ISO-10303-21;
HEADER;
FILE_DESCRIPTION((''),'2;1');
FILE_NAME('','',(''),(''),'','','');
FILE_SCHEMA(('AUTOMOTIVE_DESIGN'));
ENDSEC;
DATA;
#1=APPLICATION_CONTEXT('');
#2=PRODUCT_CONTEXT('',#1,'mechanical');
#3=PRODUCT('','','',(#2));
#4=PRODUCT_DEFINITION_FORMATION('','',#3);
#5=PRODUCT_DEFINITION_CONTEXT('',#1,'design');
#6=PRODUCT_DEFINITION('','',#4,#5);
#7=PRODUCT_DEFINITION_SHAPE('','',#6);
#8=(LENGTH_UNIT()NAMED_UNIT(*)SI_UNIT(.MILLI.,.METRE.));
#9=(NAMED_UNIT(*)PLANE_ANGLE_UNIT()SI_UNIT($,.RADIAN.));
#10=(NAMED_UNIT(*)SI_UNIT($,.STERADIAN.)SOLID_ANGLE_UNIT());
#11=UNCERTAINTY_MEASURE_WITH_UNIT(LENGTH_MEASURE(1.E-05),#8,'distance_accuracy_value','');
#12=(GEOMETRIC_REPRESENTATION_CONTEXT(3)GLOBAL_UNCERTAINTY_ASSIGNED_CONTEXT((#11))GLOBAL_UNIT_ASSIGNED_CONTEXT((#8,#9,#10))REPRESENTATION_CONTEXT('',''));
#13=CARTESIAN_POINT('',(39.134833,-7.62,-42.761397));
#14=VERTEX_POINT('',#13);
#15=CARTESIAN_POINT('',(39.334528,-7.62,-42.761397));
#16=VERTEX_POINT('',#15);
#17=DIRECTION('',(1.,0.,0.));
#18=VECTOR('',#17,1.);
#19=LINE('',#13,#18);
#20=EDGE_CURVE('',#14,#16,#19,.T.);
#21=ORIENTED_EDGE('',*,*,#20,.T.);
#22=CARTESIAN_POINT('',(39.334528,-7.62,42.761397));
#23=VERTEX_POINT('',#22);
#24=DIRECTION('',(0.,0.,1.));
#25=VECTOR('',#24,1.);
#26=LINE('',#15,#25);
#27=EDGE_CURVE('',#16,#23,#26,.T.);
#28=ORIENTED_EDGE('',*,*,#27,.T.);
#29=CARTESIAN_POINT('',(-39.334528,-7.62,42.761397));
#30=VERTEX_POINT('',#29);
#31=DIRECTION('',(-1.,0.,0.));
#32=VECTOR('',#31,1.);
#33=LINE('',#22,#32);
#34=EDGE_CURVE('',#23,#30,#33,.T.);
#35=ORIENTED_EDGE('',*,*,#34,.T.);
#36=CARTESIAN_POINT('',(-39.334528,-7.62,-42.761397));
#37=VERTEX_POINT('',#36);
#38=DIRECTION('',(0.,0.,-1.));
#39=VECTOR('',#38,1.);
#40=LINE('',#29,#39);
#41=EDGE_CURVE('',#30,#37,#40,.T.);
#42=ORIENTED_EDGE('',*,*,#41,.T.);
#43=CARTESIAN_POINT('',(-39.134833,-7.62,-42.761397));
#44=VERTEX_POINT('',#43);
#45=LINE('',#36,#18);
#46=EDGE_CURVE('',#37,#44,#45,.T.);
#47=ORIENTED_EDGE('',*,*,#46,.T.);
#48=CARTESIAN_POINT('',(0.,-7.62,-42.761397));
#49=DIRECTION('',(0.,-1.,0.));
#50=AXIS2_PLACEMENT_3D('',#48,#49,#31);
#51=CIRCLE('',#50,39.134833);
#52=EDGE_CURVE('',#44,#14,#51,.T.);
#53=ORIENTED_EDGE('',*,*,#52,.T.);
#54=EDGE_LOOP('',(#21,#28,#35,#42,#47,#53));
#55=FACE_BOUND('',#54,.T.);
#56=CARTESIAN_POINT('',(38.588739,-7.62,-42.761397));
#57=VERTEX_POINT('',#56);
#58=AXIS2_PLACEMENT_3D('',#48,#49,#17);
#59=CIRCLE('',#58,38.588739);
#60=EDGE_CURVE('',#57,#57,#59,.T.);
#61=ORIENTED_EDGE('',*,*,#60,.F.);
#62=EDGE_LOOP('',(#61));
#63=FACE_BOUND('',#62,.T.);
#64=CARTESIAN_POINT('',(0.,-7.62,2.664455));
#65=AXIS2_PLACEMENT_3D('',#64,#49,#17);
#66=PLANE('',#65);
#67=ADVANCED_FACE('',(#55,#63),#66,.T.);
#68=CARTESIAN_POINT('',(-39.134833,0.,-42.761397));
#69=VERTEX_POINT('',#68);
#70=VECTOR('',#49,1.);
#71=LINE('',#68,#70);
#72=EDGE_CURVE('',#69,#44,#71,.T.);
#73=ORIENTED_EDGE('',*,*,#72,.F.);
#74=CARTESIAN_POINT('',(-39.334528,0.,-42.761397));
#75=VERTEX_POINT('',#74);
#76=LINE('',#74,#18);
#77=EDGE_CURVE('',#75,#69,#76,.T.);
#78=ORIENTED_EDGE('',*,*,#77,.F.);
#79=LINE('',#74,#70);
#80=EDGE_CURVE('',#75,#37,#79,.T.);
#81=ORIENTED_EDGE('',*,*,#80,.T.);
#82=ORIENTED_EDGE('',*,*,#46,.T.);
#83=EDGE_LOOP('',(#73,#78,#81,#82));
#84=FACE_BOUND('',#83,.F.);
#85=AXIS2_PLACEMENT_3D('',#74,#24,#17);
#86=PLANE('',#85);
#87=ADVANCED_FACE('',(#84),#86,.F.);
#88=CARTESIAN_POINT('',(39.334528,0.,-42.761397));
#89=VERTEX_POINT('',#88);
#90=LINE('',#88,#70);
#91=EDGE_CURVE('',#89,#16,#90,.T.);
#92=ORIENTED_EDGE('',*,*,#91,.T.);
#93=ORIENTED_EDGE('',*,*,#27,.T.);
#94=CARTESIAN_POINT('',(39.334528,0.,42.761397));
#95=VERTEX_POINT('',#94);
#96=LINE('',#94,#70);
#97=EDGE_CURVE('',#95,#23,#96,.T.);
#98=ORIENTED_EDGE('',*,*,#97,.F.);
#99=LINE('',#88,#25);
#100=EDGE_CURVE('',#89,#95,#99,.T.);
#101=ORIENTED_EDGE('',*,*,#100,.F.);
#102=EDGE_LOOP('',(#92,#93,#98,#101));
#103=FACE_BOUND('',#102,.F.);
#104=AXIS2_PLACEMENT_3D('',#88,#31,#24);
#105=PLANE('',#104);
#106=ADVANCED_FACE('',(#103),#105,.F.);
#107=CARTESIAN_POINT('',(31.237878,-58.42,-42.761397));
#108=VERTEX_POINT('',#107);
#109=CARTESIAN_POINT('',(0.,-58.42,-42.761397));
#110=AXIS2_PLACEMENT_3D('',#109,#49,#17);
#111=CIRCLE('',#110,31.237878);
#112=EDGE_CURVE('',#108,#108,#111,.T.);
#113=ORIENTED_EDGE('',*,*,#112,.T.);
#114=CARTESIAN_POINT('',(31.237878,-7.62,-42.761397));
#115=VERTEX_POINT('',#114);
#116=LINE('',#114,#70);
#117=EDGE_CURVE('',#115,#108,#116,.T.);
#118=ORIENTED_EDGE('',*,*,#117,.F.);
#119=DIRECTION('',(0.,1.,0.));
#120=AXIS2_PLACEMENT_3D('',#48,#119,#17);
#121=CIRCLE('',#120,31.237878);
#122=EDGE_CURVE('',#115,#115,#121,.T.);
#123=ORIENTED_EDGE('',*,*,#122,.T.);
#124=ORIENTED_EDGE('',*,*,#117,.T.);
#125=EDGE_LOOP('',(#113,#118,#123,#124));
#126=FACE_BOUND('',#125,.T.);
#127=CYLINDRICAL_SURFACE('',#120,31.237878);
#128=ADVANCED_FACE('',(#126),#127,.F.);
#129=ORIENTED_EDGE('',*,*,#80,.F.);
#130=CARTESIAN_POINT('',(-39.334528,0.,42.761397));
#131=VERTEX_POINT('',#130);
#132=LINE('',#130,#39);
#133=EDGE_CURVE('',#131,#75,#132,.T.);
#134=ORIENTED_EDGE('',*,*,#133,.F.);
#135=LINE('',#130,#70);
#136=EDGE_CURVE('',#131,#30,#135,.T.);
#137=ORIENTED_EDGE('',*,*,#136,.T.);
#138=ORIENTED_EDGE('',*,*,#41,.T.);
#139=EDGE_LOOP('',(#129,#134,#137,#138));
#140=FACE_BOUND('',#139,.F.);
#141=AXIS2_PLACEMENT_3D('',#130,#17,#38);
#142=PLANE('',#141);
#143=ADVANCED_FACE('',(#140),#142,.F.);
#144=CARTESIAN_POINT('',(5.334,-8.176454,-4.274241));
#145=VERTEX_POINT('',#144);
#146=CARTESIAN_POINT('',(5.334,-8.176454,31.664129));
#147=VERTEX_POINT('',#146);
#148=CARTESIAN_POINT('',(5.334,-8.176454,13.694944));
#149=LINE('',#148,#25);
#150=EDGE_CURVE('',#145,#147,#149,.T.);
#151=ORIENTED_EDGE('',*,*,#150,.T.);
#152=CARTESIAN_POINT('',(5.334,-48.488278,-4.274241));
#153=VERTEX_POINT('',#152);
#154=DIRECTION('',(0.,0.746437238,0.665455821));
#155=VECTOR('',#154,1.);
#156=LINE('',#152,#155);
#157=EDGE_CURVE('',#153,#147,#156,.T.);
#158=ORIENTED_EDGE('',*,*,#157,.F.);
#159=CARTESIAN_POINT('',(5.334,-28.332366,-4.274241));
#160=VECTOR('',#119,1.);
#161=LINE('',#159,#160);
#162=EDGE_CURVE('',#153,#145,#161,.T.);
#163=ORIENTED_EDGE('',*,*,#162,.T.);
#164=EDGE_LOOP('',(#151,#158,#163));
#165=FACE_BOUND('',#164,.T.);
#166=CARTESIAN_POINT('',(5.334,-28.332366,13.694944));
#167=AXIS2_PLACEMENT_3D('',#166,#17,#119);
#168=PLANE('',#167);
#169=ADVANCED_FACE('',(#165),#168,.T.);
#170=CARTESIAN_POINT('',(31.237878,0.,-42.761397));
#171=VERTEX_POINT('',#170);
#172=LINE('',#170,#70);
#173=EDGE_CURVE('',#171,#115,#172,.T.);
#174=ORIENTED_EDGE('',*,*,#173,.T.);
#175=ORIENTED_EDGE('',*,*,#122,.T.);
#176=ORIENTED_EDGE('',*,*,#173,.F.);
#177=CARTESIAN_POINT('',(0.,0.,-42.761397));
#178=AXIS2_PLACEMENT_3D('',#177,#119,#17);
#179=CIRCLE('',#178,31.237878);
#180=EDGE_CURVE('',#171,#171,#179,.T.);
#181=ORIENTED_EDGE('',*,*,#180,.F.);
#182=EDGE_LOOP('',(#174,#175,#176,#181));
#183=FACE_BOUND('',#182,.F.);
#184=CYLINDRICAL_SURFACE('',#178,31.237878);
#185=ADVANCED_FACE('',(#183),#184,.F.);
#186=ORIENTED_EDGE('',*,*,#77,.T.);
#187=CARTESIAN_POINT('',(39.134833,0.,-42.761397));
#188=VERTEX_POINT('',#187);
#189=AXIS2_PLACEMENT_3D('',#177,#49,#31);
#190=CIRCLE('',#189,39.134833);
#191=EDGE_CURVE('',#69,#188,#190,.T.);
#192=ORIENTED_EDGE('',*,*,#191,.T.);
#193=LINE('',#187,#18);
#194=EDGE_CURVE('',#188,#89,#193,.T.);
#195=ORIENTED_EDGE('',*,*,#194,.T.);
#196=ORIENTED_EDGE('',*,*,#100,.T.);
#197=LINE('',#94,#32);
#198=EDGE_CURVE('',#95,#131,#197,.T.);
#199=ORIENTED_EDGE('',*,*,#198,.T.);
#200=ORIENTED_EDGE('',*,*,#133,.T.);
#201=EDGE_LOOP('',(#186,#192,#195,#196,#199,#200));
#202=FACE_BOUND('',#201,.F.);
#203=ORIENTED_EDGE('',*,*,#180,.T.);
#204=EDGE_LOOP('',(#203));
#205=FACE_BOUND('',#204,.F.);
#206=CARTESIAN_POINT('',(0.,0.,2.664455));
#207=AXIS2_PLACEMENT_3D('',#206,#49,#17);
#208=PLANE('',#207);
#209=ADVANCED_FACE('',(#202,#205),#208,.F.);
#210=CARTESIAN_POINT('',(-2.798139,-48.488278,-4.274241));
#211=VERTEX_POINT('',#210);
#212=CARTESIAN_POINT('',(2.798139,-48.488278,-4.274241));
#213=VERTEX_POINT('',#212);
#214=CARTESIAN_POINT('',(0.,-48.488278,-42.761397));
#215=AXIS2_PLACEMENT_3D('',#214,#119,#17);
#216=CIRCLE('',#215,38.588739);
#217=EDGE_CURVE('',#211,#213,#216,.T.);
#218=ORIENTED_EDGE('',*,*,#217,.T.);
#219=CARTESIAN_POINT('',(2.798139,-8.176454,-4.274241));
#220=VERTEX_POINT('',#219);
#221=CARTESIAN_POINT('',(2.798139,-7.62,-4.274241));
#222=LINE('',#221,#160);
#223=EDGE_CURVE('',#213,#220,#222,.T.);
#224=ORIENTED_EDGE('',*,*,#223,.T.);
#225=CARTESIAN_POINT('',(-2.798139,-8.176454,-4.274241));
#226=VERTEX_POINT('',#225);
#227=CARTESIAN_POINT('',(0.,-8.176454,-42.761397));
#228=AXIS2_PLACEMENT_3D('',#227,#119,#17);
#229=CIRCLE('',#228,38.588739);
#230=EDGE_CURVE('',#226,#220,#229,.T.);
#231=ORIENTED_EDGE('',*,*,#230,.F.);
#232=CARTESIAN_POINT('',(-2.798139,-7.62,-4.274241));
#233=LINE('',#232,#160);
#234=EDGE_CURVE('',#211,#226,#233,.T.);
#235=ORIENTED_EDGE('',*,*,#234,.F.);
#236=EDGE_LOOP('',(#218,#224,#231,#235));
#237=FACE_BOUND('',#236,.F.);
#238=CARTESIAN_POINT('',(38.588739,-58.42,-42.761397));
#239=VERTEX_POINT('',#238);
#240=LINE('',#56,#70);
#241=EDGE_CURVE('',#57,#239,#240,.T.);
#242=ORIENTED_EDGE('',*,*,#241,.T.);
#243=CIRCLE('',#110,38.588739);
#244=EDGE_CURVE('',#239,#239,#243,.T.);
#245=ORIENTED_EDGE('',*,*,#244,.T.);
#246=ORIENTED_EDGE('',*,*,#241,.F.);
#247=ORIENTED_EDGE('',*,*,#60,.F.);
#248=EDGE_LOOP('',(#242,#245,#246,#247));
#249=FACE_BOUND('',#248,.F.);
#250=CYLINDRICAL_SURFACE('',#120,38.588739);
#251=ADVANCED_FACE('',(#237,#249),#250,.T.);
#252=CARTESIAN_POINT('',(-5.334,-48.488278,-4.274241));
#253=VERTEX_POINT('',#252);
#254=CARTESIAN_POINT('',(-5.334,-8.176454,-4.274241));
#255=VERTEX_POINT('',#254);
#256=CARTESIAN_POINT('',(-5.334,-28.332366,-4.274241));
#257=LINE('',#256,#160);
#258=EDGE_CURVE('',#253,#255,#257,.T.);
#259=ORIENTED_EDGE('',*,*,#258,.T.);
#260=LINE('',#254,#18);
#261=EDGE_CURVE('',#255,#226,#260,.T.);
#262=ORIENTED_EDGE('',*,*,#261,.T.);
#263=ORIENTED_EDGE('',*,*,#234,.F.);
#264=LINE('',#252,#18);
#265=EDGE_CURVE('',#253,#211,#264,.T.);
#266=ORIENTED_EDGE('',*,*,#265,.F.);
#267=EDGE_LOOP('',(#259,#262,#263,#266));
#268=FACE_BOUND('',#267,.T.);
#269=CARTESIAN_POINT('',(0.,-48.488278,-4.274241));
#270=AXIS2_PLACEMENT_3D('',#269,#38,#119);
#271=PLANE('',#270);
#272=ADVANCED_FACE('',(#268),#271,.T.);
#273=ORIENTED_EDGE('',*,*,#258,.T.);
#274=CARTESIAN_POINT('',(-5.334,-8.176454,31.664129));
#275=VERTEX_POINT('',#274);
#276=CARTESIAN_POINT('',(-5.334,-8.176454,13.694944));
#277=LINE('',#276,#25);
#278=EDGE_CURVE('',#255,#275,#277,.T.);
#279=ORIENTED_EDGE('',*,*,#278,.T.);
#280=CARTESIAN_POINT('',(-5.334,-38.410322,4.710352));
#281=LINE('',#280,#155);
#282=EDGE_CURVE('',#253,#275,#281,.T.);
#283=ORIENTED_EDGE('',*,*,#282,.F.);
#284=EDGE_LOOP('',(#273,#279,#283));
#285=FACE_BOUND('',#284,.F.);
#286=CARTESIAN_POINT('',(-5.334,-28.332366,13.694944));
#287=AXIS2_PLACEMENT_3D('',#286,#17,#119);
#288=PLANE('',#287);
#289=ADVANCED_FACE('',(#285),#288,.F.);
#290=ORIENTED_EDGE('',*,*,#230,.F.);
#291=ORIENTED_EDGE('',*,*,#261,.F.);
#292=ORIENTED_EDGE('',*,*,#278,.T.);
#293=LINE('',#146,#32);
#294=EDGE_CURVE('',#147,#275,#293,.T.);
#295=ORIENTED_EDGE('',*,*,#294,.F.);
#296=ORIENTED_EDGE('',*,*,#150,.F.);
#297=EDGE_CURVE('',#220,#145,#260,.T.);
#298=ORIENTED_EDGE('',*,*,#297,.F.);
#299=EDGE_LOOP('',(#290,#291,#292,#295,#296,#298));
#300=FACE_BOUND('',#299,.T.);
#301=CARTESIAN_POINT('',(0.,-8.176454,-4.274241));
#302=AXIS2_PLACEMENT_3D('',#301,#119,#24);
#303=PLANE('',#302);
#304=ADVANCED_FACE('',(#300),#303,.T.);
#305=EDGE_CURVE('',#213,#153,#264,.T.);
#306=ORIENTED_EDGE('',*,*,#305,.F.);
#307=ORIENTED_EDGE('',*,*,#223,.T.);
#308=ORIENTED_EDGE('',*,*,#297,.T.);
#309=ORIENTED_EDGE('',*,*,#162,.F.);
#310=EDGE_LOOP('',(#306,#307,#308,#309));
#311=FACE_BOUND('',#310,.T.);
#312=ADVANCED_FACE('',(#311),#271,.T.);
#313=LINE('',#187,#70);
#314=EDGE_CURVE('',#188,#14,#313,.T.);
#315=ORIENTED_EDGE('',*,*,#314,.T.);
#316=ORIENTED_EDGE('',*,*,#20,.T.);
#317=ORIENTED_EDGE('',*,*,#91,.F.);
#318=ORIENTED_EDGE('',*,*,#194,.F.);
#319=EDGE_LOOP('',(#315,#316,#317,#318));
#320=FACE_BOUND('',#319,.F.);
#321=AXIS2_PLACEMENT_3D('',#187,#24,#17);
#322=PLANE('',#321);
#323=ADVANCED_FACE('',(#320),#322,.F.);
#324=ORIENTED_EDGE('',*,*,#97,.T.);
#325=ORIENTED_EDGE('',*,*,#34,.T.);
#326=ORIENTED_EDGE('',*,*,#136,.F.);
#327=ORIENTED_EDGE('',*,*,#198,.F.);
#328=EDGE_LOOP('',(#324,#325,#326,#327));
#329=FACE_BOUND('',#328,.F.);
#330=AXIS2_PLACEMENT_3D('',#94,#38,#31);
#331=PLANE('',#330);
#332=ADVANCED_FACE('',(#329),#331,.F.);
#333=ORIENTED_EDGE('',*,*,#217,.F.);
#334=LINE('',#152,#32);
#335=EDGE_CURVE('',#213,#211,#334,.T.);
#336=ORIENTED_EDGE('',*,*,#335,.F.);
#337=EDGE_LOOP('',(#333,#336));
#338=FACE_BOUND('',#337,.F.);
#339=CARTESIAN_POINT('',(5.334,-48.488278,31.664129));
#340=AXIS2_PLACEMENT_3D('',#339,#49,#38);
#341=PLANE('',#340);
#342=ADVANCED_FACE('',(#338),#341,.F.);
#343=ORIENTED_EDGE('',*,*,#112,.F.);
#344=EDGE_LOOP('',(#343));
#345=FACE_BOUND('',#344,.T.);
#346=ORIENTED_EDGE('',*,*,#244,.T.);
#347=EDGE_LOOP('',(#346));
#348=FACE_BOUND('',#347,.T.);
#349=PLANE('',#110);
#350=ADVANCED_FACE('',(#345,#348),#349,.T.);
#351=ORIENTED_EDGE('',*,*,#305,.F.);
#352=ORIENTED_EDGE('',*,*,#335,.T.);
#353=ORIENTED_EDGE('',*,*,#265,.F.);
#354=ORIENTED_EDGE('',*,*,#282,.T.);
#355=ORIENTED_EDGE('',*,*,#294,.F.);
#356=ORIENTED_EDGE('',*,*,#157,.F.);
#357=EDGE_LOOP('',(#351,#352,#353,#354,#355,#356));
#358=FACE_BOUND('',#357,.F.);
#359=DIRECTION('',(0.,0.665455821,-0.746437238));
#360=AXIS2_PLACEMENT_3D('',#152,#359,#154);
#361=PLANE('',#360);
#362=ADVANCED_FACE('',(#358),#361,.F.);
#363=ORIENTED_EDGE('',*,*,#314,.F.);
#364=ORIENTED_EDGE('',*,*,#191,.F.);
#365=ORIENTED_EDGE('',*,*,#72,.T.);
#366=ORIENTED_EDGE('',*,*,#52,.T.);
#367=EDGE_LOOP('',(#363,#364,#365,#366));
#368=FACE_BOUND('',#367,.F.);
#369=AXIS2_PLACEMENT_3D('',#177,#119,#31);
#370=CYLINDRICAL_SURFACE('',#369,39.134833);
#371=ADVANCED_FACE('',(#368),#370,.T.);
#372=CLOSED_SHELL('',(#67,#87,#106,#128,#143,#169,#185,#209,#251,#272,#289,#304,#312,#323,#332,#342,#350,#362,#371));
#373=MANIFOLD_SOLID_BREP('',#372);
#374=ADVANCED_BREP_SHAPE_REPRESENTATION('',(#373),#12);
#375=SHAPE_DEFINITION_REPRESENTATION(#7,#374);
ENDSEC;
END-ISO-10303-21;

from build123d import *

# Parameters (mm, degrees)
F1_DEPTH = 7.62
F2_R     = 38.5887386993
F2_R_2   = 31.2378777005
F3_DEPTH = 50.8
F4_W     = 40.311823599
F4_H     = 35.9383700415
F5_DEPTH = 5.334
F7_DEPTH = 44.6695281482


with BuildPart() as f1:
    # F0 (on Front) → F1 (new body)
    with BuildSketch(Plane.XZ):
        with BuildLine():
            Line((39.3345281482, -13.8564798981), (39.3345281482, 42.7613966167))
            Line((39.3345281482, 42.7613966167), (-39.3345281482, 42.7613966167))
            Line((-39.3345281482, 42.7613966167), (-39.3345281482, -13.8564798981))
            Line((-39.3345281482, -13.8564798981), (-39.3345281482, -42.7613966167))
            Line((-39.3345281482, -42.7613966167), (-39.1348331809, -42.7613966167))
            ThreePointArc((-39.1348331809, -42.7613966167), (0, -3.6265634358), (39.1348331809, -42.7613966167))
            Line((39.1348331809, -42.7613966167), (39.3345281482, -42.7613966167))
            Line((39.3345281482, -42.7613966167), (39.3345281482, -13.8564798981))
        make_face()
        with BuildLine():
            ThreePointArc((-39.1348331809, -42.7613966167), (0, -81.8962297976), (39.1348331809, -42.7613966167))
            Line((39.1348331809, -42.7613966167), (31.2378777005, -42.7613966167))
            ThreePointArc((31.2378777005, -42.7613966167), (0, -73.9992743172), (-31.2378777005, -42.7613966167))
            Line((-31.2378777005, -42.7613966167), (-39.1348331809, -42.7613966167))
        make_face()
        with BuildLine():
            Line((31.2378777005, -42.7613966167), (39.1348331809, -42.7613966167))
            ThreePointArc((39.1348331809, -42.7613966167), (0, -3.6265634358), (-39.1348331809, -42.7613966167))
            Line((-39.1348331809, -42.7613966167), (-31.2378777005, -42.7613966167))
            ThreePointArc((-31.2378777005, -42.7613966167), (0, -11.5235189162), (31.2378777005, -42.7613966167))
        make_face()
    extrude(amount=F1_DEPTH)

    # F2 (on face) → F3 (join)
    with BuildSketch(Plane.XZ.offset(7.62)):
        with Locations((0, -42.7613966167)):
            Circle(F2_R)
        with Locations((0, -42.7613966167)):
            Circle(F2_R_2, mode=Mode.SUBTRACT)
    extrude(amount=F3_DEPTH)

    # F4 (on Right) → F5 (join, symmetric)
    with BuildSketch(Plane.YZ):
        with Locations((-28.3323661424, 13.6949443258)):
            Rectangle(F4_W, F4_H)
    extrude(amount=F5_DEPTH, both=True)

    # F6 (on face) → F7 (cut, through all)
    with BuildSketch(Plane.YZ.offset(5.334)):
        Polygon((-48.4882779419, 31.6641293466), (-48.4882779419, -4.2742406949), (-8.1764543429, 31.6641293466), align=None)
    extrude(amount=-F7_DEPTH, mode=Mode.SUBTRACT)


solid = f1.part
